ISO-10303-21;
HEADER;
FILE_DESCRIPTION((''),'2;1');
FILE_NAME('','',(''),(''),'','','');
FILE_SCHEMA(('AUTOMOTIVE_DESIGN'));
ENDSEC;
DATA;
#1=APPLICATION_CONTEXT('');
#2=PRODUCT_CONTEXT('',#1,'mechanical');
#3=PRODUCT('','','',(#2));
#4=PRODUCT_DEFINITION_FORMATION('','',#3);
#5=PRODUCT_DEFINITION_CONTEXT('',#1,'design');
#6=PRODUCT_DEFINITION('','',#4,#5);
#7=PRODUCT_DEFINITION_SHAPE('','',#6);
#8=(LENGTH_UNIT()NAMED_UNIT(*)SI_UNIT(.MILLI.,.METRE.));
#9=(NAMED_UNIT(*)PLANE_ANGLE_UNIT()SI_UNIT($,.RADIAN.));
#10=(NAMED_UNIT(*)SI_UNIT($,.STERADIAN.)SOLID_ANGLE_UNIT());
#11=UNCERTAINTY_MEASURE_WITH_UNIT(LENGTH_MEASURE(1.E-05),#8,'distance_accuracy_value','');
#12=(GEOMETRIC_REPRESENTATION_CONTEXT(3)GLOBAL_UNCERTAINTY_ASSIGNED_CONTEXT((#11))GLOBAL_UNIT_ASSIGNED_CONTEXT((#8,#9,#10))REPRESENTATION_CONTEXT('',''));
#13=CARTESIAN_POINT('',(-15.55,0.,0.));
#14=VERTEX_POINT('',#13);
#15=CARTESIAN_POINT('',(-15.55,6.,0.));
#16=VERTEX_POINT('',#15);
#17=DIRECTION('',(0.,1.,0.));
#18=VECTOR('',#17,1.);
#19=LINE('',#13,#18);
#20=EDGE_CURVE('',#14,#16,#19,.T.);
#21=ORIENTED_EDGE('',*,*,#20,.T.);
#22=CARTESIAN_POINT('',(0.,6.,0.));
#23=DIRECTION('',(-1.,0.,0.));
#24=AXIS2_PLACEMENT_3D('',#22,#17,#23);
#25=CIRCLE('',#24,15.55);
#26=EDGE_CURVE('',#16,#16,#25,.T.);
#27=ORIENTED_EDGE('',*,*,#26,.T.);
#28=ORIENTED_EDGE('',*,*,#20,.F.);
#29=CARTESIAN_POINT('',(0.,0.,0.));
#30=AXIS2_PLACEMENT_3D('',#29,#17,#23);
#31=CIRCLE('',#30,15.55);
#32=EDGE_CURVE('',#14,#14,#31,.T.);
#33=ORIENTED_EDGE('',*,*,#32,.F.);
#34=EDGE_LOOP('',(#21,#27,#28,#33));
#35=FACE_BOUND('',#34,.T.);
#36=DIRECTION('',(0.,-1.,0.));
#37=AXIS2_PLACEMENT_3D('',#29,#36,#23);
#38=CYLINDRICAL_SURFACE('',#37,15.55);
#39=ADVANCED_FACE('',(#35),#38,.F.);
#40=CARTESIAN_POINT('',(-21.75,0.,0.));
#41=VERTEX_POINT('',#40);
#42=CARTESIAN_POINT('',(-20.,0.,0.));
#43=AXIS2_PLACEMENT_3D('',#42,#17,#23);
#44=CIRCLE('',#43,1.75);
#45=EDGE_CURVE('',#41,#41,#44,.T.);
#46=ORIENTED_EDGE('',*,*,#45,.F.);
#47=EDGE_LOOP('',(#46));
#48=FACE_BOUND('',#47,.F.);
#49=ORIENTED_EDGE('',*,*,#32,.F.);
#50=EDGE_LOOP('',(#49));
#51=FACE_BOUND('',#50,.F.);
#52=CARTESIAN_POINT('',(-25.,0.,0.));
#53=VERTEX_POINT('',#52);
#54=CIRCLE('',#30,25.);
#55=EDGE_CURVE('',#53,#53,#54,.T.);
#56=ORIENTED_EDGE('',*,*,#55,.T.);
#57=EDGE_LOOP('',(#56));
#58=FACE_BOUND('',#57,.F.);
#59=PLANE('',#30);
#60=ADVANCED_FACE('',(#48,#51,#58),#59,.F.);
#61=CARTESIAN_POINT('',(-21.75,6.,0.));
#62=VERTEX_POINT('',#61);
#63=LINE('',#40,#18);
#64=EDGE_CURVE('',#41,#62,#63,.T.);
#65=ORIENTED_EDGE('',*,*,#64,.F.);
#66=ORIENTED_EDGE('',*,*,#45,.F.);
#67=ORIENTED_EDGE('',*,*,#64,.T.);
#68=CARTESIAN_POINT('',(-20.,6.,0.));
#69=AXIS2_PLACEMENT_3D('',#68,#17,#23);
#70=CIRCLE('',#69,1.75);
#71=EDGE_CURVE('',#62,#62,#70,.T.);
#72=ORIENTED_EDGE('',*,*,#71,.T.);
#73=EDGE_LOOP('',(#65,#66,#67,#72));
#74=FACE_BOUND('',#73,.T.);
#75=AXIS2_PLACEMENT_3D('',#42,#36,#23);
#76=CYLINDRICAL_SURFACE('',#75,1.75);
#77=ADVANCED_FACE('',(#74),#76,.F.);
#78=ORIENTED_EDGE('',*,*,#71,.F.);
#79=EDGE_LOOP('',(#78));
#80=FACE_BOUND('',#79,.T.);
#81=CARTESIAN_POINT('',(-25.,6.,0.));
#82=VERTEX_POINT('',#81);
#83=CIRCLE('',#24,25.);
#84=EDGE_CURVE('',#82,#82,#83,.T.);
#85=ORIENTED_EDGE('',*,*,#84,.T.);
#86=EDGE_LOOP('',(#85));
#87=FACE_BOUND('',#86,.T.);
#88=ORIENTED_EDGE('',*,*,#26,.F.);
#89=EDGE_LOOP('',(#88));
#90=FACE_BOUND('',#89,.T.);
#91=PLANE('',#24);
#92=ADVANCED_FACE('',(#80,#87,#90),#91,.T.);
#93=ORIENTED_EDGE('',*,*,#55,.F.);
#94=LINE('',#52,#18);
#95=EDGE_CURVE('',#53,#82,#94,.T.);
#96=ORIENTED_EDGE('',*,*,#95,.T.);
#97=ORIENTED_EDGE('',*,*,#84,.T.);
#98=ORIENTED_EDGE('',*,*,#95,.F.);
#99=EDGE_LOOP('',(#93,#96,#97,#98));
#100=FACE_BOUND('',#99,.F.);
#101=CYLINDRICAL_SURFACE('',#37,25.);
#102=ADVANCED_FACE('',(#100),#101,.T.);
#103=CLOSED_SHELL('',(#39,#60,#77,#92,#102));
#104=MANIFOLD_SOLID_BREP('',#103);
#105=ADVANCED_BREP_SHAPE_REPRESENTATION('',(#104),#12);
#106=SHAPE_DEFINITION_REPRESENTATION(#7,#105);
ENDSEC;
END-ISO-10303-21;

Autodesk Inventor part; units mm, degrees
ref_plane "YZ Plane" through (0, 0, 0) normal (1, 0, 0) x (0, 1, 0)
ref_plane "XZ Plane" through (0, 0, 0) normal (0, 1, 0) x (-1, 0, 0)
ref_plane "XY Plane" through (0, 0, 0) normal (0, 0, 1) x (1, 0, 0)
sketch "Sketch1" plane through (0, 0, 0) normal (0, 1, 0) x (-1, 0, 0)
  circle A0 centre (0, 0) radius 15.55
  circle A1 centre (0, 0) radius 25
  circle A2 centre (0, 0) radius 20 construction
  circle A3 centre (20, 0) radius 1.75
  line L0 (20, 0) -> (0, 0) construction
  dimension "d1" = 40
  dimension "d0" = 31.1
  dimension "d2" = 3.5
  dimension "d3" = 50
extrude "Extrusion1" add sketch "Sketch1" along normal blind 6
properties part number "CH_02_0001_drilling_help"
